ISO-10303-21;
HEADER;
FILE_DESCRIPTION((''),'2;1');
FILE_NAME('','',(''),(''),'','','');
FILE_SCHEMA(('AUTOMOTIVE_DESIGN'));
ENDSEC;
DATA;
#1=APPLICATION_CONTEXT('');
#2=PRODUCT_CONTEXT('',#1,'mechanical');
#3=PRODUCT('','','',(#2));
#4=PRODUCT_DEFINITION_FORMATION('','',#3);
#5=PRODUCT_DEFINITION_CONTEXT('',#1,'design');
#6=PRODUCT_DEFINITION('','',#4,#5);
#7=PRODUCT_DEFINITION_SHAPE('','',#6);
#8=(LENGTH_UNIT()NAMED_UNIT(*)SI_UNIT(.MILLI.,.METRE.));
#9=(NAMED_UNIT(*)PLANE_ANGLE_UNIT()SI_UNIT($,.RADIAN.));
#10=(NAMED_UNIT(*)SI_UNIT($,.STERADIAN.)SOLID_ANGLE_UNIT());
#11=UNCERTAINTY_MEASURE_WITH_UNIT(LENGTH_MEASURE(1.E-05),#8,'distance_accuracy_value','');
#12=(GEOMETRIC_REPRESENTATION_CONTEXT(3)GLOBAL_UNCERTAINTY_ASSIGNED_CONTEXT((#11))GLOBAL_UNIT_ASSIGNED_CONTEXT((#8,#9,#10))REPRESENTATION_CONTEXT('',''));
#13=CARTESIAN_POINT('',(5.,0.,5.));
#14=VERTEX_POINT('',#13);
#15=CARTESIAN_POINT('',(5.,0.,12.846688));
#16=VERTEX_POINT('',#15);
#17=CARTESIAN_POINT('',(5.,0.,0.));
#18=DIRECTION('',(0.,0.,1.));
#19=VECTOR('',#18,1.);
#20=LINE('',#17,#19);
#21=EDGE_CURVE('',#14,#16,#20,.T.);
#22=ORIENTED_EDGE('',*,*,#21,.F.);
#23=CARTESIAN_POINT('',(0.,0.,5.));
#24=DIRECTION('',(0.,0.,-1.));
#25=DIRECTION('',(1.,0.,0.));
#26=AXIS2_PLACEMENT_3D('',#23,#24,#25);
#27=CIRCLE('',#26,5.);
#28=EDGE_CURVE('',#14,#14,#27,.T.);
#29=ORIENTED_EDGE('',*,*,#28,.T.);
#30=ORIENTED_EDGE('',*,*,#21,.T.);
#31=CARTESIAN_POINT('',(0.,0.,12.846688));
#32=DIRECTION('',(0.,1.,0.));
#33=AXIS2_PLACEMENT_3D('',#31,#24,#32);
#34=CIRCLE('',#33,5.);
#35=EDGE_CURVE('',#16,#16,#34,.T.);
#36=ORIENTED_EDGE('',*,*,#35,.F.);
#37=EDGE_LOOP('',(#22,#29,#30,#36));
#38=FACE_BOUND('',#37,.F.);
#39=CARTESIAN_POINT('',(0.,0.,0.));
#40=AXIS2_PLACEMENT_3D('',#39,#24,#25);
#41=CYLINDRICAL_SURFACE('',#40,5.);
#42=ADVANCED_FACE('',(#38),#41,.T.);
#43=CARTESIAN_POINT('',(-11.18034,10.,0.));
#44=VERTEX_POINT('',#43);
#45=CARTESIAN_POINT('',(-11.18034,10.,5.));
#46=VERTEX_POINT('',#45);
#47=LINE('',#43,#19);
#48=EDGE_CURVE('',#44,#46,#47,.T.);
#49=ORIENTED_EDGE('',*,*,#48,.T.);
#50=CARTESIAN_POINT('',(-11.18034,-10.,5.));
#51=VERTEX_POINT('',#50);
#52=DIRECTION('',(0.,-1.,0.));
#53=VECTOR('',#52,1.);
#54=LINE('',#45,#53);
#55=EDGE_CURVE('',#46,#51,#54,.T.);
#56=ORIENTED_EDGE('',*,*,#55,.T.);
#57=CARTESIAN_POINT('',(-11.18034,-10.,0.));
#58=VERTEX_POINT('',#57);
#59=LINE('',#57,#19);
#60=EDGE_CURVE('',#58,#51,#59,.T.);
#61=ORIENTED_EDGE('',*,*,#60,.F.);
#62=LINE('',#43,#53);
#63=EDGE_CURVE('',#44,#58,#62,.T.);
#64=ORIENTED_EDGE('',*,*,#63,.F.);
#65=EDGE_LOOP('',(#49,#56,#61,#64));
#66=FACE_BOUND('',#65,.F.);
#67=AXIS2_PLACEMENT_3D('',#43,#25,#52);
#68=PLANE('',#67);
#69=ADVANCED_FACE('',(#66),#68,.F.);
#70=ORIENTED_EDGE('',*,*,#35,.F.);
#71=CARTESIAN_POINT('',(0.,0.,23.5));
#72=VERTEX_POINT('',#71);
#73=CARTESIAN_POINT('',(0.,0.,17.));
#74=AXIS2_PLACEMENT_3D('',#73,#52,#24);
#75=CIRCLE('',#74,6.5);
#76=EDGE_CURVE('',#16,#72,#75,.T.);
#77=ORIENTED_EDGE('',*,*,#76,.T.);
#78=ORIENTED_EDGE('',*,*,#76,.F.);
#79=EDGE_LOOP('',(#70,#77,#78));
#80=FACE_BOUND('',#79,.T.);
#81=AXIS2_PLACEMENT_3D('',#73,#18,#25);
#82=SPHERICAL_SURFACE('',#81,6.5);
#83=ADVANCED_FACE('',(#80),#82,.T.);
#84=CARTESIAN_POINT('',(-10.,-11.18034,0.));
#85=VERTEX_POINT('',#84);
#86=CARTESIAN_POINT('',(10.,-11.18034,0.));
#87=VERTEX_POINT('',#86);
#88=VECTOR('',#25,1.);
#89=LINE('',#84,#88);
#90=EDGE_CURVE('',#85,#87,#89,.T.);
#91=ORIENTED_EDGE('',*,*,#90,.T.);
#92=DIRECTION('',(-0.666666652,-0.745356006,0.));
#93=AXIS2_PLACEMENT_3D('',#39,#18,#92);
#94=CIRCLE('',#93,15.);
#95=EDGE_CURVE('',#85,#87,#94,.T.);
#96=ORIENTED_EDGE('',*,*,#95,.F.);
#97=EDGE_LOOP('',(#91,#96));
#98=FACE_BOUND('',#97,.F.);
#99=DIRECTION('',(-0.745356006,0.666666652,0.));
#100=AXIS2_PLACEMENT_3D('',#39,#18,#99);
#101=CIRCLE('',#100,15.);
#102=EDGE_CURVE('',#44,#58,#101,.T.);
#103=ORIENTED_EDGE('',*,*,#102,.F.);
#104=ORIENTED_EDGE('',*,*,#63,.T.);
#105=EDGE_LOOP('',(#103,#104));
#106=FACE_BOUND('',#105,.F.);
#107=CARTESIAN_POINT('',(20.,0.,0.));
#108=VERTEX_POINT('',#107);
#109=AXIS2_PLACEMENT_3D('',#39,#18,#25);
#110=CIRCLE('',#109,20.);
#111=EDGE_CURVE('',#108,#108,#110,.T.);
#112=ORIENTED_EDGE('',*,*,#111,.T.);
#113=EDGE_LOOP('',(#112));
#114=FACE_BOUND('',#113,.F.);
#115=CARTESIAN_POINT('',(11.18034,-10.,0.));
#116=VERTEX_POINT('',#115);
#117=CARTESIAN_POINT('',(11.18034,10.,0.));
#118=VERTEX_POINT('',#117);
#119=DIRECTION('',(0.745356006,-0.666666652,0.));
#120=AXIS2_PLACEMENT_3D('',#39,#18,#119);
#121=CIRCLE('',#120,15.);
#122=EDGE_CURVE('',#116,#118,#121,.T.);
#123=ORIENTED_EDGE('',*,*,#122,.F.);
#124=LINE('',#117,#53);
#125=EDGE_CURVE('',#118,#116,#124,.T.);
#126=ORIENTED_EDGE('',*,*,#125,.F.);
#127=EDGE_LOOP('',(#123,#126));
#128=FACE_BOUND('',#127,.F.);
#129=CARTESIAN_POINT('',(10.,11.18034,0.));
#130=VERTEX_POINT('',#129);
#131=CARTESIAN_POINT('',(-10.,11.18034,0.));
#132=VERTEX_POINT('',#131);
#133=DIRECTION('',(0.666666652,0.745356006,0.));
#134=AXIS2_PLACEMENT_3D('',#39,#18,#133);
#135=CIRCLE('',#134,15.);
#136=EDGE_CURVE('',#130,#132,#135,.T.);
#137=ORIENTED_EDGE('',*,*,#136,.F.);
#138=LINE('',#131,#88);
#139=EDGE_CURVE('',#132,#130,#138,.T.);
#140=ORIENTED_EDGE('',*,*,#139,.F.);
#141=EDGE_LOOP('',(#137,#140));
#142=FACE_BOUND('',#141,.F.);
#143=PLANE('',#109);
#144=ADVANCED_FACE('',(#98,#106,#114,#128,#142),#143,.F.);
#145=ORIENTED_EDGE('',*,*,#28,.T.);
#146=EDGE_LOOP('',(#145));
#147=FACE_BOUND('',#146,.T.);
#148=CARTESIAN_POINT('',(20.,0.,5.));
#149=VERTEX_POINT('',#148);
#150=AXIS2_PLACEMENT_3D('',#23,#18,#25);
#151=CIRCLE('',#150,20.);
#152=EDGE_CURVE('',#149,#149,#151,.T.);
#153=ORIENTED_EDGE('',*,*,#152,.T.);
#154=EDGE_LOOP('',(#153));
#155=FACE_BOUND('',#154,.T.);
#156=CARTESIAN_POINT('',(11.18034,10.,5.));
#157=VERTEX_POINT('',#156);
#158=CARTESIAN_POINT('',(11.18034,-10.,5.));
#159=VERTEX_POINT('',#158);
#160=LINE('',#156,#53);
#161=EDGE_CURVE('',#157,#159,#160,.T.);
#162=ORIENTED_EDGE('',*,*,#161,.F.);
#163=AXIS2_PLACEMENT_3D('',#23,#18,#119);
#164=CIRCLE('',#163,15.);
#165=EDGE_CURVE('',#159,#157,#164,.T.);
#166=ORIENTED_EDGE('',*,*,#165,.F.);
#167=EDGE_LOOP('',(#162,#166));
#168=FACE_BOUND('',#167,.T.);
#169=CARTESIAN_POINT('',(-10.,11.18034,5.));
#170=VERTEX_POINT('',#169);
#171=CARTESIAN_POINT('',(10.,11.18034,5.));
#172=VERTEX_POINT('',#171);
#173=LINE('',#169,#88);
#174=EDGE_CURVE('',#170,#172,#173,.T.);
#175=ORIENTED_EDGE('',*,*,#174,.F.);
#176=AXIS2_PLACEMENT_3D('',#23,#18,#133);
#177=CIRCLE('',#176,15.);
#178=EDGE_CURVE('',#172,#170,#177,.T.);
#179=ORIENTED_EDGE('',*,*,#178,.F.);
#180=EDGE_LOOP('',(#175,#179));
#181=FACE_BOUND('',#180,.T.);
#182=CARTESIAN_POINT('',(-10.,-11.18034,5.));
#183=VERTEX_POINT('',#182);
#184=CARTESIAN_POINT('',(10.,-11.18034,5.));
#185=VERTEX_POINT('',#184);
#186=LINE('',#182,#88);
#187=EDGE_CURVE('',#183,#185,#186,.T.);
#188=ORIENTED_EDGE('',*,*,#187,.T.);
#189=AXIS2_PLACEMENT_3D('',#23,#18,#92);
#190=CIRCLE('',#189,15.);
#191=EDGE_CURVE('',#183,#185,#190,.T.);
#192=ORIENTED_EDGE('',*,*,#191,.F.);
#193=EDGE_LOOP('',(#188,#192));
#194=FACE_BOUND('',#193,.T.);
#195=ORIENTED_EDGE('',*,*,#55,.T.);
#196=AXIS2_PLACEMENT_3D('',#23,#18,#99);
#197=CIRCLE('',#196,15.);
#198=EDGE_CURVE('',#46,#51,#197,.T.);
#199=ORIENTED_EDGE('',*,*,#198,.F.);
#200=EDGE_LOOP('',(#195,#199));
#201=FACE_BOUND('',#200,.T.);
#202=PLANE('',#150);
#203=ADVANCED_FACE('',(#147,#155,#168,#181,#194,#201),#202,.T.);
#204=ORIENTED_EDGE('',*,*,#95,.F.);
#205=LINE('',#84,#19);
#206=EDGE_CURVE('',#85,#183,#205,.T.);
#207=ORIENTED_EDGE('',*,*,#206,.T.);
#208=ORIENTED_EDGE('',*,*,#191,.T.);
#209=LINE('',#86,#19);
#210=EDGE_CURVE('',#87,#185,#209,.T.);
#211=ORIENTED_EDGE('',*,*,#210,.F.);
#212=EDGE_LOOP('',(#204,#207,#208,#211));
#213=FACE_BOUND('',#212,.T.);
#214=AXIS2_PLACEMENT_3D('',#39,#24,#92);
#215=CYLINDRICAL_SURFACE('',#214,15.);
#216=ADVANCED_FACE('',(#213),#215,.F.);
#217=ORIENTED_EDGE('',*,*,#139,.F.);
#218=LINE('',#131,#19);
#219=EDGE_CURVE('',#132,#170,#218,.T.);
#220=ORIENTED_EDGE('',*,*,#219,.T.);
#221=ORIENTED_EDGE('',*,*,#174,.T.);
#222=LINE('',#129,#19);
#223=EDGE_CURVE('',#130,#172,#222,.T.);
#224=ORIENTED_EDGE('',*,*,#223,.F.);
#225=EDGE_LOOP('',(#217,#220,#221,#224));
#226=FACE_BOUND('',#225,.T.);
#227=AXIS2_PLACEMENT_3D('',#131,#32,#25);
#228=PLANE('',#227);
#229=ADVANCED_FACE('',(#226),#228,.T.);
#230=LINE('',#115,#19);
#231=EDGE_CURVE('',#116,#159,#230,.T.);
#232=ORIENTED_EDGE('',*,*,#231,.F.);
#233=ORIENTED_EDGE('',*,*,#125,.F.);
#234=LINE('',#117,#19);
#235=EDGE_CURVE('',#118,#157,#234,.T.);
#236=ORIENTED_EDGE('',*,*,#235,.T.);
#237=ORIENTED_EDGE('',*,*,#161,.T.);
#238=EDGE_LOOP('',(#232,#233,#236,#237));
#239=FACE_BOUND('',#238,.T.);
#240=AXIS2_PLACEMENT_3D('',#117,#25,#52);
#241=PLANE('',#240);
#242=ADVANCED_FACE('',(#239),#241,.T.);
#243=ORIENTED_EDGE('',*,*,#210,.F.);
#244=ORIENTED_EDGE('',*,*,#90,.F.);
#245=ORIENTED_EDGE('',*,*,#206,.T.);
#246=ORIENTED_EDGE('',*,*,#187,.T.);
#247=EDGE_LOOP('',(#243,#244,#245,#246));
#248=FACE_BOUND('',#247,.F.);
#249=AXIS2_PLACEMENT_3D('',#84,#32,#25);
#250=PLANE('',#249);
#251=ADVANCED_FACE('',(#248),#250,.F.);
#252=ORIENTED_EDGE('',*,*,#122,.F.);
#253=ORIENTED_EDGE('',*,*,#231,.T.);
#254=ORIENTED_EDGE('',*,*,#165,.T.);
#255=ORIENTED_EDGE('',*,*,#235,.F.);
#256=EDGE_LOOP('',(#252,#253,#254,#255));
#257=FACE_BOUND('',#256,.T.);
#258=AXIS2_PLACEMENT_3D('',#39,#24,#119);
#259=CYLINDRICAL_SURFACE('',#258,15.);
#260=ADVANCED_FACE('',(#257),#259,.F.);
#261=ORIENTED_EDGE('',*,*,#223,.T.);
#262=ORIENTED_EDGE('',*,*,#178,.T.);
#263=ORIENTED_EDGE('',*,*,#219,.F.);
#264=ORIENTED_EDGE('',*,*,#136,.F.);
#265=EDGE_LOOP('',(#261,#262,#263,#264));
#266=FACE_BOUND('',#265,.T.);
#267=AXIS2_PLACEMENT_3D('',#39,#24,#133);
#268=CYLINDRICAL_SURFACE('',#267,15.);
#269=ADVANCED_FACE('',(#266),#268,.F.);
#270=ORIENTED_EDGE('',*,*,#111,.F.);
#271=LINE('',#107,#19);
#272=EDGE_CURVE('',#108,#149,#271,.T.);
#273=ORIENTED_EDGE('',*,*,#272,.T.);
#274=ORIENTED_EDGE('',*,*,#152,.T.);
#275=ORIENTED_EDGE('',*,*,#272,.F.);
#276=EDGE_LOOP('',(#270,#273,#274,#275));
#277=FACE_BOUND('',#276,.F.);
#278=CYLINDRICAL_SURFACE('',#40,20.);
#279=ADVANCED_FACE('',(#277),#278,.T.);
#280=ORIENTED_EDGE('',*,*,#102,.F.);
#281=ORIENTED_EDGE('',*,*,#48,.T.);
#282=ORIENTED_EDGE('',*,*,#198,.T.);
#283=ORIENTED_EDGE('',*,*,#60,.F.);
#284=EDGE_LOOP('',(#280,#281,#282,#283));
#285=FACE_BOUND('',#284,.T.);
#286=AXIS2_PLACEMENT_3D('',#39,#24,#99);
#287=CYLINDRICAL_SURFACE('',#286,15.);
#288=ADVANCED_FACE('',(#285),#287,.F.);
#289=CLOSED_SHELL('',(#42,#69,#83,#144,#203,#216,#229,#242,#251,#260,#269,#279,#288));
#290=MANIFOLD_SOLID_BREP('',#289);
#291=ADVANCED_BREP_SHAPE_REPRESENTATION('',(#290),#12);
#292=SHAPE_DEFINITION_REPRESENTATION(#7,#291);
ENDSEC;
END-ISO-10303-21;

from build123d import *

# Parameters (mm, degrees)
SKETCH001_R       = 20
PAD001_DEPTH      = 5
CYLINDER012_R     = 5
CYLINDER012_DEPTH = 15


with BuildPart() as pad001:
    # Sketch001 → Pad001 (new body)
    with BuildSketch(Plane.XY):
        Circle(SKETCH001_R)
        with BuildLine():
            ThreePointArc((11.18034, -10), (15, 0), (11.18034, 10))
            Line((11.18034, 10), (11.18034, -10))
        make_face(mode=Mode.SUBTRACT)
        with BuildLine():
            ThreePointArc((-11.18034, 10), (-15, 0), (-11.18034, -10))
            Line((-11.18034, 10), (-11.18034, -10))
        make_face(mode=Mode.SUBTRACT)
        with BuildLine():
            ThreePointArc((10, 11.18034), (0, 15), (-10, 11.18034))
            Line((-10, 11.18034), (10, 11.18034))
        make_face(mode=Mode.SUBTRACT)
        with BuildLine():
            ThreePointArc((-10, -11.18034), (0, -15), (10, -11.18034))
            Line((-10, -11.18034), (10, -11.18034))
        make_face(mode=Mode.SUBTRACT)
    extrude(amount=PAD001_DEPTH)


with BuildPart() as sphere001:
    # Sphere001 → Sphere001 (revolve)
    with BuildSketch(Plane(origin=(0, 0, 17), x_dir=(1, 0, 0), z_dir=(0, -1, 0))):
        with BuildLine():
            ThreePointArc((0, -6.5), (6.5, 0), (0, 6.5))
            Line((0, 6.5), (0, -6.5))
        make_face()
    revolve(axis=Axis((0, 0, 17), (0, 0, 1)))


with BuildPart() as piezacirculo:
    # Cylinder012 → Cylinder012 (new body)
    with BuildSketch(Plane.XY):
        Circle(CYLINDER012_R)
    extrude(amount=CYLINDER012_DEPTH)

    # Fusion018: union Pad001, Sphere001
    add(pad001.part)
    add(sphere001.part)


solid = piezacirculo.part
